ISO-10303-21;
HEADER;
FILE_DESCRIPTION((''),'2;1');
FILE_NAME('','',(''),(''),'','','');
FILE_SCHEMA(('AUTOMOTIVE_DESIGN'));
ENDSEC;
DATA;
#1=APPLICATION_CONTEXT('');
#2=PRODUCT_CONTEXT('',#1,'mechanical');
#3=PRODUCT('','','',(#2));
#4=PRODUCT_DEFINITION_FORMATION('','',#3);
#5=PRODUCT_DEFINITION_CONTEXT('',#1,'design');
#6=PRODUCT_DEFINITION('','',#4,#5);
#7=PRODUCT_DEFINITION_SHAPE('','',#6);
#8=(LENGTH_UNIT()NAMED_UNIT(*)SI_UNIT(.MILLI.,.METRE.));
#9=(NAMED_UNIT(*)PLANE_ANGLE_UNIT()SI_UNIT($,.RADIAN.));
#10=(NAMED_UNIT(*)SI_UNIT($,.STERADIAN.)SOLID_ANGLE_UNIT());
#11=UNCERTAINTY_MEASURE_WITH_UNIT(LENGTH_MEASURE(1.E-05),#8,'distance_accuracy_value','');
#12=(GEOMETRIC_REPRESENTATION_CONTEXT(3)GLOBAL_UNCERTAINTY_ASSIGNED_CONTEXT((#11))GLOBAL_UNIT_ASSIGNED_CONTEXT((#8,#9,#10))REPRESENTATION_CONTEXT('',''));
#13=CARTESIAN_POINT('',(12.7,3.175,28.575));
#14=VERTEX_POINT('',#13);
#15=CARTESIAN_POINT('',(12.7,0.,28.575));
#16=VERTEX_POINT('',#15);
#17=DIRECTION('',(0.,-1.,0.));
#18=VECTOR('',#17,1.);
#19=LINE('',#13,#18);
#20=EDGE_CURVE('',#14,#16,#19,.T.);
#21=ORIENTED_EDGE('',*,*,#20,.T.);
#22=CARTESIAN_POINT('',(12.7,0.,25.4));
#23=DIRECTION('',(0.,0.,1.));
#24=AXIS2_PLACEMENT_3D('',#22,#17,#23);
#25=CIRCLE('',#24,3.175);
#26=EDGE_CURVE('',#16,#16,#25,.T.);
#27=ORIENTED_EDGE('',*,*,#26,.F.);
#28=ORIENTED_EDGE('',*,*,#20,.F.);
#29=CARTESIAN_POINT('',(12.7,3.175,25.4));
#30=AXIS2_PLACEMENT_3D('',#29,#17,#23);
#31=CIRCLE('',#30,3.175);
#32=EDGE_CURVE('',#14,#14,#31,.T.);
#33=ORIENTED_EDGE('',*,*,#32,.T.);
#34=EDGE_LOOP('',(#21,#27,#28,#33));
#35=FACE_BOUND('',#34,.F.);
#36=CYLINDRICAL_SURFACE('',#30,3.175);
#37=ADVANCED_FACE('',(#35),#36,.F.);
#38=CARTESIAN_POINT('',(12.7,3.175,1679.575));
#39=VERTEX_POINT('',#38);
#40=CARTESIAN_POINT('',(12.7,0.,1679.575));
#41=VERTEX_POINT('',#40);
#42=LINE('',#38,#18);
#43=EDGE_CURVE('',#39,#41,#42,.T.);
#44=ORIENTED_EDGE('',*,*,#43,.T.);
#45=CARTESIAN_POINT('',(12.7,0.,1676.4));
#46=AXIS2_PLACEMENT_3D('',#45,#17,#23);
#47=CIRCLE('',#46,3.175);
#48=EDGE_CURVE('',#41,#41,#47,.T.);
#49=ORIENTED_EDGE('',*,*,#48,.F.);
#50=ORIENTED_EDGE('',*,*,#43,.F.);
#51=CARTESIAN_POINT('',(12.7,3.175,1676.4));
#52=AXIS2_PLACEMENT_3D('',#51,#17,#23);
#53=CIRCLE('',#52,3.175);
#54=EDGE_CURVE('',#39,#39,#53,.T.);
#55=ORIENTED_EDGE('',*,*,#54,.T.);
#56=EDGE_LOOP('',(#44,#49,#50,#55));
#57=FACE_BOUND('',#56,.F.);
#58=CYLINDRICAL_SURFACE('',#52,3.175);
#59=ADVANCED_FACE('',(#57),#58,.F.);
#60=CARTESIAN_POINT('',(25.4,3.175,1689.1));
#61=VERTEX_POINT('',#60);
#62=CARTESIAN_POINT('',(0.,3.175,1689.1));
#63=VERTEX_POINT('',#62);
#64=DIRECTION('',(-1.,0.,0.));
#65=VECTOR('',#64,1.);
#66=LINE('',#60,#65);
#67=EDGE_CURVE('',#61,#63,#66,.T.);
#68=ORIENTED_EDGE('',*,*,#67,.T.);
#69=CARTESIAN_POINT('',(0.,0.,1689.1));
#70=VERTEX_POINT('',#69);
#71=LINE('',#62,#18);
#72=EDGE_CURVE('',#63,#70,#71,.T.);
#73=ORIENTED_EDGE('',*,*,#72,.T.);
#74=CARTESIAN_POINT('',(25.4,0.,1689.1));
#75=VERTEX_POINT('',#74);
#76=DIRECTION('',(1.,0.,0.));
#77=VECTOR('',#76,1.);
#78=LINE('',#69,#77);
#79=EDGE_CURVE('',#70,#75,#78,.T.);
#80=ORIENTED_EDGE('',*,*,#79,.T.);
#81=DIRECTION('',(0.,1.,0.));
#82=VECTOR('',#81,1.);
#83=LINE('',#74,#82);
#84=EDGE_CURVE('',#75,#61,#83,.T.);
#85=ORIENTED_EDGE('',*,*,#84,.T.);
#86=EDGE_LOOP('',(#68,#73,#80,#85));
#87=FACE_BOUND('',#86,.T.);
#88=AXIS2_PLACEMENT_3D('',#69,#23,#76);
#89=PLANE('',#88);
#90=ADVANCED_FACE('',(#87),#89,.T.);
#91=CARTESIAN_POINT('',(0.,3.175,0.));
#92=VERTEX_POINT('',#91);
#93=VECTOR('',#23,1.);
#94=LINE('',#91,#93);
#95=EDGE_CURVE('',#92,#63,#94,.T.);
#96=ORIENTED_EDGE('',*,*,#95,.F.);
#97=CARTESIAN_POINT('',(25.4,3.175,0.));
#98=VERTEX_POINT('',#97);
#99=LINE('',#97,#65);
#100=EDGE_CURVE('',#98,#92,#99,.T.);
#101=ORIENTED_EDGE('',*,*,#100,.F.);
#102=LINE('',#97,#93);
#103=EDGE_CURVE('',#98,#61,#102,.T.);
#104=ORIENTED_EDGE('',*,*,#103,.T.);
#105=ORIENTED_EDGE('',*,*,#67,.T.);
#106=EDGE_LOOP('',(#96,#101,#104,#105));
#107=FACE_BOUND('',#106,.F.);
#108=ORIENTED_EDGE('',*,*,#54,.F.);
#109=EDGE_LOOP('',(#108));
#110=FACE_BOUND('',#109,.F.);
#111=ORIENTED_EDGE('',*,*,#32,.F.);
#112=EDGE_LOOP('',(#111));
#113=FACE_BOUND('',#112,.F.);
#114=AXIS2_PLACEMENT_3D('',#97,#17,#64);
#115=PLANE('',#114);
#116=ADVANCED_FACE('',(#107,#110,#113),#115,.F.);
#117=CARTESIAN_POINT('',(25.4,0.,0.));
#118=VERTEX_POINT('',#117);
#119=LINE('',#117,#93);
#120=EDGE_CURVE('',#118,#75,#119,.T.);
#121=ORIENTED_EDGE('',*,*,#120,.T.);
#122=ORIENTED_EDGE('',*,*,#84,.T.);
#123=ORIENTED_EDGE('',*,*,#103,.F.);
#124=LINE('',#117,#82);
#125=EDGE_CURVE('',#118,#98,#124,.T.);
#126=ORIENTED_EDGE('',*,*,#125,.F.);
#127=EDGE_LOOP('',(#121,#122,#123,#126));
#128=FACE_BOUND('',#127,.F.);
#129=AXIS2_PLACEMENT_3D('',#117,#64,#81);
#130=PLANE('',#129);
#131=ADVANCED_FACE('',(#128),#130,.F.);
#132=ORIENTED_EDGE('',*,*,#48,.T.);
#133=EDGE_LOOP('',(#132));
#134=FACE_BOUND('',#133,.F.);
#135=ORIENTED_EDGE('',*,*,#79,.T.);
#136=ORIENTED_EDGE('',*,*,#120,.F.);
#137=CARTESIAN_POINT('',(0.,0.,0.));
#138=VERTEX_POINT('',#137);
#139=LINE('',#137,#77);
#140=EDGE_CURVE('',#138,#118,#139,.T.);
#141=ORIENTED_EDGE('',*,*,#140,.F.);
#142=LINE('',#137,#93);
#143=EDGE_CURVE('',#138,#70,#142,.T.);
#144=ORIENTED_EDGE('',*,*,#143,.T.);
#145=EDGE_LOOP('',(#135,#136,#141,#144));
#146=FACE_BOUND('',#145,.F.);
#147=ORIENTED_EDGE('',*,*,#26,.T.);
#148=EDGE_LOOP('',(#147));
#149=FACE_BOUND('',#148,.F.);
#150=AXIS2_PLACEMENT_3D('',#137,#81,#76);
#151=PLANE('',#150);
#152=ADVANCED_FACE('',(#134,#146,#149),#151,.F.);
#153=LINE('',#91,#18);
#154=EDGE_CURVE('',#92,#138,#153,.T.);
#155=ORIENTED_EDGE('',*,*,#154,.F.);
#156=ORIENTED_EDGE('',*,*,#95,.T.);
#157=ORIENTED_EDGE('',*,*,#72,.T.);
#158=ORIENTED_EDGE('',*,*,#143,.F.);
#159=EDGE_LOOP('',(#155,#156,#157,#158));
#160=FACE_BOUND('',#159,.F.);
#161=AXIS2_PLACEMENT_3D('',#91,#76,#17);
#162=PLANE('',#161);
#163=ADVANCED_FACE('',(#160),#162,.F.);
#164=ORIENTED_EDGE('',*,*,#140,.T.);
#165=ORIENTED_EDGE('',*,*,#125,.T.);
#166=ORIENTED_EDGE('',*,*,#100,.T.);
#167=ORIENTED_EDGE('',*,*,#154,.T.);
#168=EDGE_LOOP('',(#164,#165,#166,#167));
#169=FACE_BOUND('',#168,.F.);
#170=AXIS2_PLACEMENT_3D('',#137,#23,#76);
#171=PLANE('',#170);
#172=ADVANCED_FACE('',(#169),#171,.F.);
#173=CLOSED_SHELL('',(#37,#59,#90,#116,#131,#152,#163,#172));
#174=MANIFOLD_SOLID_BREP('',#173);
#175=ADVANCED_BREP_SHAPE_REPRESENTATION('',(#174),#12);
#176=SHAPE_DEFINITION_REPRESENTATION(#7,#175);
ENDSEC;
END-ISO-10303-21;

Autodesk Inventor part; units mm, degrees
ref_plane "YZ Plane" through (0, 0, 0) normal (1, 0, 0) x (0, 1, 0)
ref_plane "XZ Plane" through (0, 0, 0) normal (0, 1, 0) x (-1, 0, 0)
ref_plane "XY Plane" through (0, 0, 0) normal (0, 0, 1) x (1, 0, 0)
sketch "Sketch1" plane through (0, 0, 0) normal (0, 0, 1) x (1, 0, 0)
  line L0 (0, 0) -> (25.4, 0)
  line L1 (25.4, 0) -> (25.4, 3.175)
  line L2 (25.4, 3.175) -> (0, 3.175)
  line L3 (0, 3.175) -> (0, 0)
  dimension "d0" = 25.4
  dimension "d1" = 3.175
extrude "Extrusion1" add sketch "Sketch1" along normal blind 1689.1
sketch "Sketch2" plane through (0, 3.175, 1689.1) normal (0, 1, 0) x (1, 0, 0)
  line L0 (25.4, 1689.1) -> (0, 1689.1) projected
  line L1 (0, 1689.1) -> (0, 0) projected
  line L2 (25.4, 0) -> (0, 0) projected
  line L3 (25.4, 1689.1) -> (25.4, 0) projected
  point P0 (12.7, 1663.7)
  point P1 (12.7, 12.7)
  dimension "d4" = 12.7
  dimension "d5" = 12.7
  dimension "d6" = 12.7
  dimension "d7" = 25.4
hole "Hole1" at (12.7, 3.175, 25.4) at (12.7, 3.175, 1676.4) direction (0, -1, 0) diameter 6.35 end through all
properties part number "rail aligner" material "Nylon, molybdenum disulphide"
